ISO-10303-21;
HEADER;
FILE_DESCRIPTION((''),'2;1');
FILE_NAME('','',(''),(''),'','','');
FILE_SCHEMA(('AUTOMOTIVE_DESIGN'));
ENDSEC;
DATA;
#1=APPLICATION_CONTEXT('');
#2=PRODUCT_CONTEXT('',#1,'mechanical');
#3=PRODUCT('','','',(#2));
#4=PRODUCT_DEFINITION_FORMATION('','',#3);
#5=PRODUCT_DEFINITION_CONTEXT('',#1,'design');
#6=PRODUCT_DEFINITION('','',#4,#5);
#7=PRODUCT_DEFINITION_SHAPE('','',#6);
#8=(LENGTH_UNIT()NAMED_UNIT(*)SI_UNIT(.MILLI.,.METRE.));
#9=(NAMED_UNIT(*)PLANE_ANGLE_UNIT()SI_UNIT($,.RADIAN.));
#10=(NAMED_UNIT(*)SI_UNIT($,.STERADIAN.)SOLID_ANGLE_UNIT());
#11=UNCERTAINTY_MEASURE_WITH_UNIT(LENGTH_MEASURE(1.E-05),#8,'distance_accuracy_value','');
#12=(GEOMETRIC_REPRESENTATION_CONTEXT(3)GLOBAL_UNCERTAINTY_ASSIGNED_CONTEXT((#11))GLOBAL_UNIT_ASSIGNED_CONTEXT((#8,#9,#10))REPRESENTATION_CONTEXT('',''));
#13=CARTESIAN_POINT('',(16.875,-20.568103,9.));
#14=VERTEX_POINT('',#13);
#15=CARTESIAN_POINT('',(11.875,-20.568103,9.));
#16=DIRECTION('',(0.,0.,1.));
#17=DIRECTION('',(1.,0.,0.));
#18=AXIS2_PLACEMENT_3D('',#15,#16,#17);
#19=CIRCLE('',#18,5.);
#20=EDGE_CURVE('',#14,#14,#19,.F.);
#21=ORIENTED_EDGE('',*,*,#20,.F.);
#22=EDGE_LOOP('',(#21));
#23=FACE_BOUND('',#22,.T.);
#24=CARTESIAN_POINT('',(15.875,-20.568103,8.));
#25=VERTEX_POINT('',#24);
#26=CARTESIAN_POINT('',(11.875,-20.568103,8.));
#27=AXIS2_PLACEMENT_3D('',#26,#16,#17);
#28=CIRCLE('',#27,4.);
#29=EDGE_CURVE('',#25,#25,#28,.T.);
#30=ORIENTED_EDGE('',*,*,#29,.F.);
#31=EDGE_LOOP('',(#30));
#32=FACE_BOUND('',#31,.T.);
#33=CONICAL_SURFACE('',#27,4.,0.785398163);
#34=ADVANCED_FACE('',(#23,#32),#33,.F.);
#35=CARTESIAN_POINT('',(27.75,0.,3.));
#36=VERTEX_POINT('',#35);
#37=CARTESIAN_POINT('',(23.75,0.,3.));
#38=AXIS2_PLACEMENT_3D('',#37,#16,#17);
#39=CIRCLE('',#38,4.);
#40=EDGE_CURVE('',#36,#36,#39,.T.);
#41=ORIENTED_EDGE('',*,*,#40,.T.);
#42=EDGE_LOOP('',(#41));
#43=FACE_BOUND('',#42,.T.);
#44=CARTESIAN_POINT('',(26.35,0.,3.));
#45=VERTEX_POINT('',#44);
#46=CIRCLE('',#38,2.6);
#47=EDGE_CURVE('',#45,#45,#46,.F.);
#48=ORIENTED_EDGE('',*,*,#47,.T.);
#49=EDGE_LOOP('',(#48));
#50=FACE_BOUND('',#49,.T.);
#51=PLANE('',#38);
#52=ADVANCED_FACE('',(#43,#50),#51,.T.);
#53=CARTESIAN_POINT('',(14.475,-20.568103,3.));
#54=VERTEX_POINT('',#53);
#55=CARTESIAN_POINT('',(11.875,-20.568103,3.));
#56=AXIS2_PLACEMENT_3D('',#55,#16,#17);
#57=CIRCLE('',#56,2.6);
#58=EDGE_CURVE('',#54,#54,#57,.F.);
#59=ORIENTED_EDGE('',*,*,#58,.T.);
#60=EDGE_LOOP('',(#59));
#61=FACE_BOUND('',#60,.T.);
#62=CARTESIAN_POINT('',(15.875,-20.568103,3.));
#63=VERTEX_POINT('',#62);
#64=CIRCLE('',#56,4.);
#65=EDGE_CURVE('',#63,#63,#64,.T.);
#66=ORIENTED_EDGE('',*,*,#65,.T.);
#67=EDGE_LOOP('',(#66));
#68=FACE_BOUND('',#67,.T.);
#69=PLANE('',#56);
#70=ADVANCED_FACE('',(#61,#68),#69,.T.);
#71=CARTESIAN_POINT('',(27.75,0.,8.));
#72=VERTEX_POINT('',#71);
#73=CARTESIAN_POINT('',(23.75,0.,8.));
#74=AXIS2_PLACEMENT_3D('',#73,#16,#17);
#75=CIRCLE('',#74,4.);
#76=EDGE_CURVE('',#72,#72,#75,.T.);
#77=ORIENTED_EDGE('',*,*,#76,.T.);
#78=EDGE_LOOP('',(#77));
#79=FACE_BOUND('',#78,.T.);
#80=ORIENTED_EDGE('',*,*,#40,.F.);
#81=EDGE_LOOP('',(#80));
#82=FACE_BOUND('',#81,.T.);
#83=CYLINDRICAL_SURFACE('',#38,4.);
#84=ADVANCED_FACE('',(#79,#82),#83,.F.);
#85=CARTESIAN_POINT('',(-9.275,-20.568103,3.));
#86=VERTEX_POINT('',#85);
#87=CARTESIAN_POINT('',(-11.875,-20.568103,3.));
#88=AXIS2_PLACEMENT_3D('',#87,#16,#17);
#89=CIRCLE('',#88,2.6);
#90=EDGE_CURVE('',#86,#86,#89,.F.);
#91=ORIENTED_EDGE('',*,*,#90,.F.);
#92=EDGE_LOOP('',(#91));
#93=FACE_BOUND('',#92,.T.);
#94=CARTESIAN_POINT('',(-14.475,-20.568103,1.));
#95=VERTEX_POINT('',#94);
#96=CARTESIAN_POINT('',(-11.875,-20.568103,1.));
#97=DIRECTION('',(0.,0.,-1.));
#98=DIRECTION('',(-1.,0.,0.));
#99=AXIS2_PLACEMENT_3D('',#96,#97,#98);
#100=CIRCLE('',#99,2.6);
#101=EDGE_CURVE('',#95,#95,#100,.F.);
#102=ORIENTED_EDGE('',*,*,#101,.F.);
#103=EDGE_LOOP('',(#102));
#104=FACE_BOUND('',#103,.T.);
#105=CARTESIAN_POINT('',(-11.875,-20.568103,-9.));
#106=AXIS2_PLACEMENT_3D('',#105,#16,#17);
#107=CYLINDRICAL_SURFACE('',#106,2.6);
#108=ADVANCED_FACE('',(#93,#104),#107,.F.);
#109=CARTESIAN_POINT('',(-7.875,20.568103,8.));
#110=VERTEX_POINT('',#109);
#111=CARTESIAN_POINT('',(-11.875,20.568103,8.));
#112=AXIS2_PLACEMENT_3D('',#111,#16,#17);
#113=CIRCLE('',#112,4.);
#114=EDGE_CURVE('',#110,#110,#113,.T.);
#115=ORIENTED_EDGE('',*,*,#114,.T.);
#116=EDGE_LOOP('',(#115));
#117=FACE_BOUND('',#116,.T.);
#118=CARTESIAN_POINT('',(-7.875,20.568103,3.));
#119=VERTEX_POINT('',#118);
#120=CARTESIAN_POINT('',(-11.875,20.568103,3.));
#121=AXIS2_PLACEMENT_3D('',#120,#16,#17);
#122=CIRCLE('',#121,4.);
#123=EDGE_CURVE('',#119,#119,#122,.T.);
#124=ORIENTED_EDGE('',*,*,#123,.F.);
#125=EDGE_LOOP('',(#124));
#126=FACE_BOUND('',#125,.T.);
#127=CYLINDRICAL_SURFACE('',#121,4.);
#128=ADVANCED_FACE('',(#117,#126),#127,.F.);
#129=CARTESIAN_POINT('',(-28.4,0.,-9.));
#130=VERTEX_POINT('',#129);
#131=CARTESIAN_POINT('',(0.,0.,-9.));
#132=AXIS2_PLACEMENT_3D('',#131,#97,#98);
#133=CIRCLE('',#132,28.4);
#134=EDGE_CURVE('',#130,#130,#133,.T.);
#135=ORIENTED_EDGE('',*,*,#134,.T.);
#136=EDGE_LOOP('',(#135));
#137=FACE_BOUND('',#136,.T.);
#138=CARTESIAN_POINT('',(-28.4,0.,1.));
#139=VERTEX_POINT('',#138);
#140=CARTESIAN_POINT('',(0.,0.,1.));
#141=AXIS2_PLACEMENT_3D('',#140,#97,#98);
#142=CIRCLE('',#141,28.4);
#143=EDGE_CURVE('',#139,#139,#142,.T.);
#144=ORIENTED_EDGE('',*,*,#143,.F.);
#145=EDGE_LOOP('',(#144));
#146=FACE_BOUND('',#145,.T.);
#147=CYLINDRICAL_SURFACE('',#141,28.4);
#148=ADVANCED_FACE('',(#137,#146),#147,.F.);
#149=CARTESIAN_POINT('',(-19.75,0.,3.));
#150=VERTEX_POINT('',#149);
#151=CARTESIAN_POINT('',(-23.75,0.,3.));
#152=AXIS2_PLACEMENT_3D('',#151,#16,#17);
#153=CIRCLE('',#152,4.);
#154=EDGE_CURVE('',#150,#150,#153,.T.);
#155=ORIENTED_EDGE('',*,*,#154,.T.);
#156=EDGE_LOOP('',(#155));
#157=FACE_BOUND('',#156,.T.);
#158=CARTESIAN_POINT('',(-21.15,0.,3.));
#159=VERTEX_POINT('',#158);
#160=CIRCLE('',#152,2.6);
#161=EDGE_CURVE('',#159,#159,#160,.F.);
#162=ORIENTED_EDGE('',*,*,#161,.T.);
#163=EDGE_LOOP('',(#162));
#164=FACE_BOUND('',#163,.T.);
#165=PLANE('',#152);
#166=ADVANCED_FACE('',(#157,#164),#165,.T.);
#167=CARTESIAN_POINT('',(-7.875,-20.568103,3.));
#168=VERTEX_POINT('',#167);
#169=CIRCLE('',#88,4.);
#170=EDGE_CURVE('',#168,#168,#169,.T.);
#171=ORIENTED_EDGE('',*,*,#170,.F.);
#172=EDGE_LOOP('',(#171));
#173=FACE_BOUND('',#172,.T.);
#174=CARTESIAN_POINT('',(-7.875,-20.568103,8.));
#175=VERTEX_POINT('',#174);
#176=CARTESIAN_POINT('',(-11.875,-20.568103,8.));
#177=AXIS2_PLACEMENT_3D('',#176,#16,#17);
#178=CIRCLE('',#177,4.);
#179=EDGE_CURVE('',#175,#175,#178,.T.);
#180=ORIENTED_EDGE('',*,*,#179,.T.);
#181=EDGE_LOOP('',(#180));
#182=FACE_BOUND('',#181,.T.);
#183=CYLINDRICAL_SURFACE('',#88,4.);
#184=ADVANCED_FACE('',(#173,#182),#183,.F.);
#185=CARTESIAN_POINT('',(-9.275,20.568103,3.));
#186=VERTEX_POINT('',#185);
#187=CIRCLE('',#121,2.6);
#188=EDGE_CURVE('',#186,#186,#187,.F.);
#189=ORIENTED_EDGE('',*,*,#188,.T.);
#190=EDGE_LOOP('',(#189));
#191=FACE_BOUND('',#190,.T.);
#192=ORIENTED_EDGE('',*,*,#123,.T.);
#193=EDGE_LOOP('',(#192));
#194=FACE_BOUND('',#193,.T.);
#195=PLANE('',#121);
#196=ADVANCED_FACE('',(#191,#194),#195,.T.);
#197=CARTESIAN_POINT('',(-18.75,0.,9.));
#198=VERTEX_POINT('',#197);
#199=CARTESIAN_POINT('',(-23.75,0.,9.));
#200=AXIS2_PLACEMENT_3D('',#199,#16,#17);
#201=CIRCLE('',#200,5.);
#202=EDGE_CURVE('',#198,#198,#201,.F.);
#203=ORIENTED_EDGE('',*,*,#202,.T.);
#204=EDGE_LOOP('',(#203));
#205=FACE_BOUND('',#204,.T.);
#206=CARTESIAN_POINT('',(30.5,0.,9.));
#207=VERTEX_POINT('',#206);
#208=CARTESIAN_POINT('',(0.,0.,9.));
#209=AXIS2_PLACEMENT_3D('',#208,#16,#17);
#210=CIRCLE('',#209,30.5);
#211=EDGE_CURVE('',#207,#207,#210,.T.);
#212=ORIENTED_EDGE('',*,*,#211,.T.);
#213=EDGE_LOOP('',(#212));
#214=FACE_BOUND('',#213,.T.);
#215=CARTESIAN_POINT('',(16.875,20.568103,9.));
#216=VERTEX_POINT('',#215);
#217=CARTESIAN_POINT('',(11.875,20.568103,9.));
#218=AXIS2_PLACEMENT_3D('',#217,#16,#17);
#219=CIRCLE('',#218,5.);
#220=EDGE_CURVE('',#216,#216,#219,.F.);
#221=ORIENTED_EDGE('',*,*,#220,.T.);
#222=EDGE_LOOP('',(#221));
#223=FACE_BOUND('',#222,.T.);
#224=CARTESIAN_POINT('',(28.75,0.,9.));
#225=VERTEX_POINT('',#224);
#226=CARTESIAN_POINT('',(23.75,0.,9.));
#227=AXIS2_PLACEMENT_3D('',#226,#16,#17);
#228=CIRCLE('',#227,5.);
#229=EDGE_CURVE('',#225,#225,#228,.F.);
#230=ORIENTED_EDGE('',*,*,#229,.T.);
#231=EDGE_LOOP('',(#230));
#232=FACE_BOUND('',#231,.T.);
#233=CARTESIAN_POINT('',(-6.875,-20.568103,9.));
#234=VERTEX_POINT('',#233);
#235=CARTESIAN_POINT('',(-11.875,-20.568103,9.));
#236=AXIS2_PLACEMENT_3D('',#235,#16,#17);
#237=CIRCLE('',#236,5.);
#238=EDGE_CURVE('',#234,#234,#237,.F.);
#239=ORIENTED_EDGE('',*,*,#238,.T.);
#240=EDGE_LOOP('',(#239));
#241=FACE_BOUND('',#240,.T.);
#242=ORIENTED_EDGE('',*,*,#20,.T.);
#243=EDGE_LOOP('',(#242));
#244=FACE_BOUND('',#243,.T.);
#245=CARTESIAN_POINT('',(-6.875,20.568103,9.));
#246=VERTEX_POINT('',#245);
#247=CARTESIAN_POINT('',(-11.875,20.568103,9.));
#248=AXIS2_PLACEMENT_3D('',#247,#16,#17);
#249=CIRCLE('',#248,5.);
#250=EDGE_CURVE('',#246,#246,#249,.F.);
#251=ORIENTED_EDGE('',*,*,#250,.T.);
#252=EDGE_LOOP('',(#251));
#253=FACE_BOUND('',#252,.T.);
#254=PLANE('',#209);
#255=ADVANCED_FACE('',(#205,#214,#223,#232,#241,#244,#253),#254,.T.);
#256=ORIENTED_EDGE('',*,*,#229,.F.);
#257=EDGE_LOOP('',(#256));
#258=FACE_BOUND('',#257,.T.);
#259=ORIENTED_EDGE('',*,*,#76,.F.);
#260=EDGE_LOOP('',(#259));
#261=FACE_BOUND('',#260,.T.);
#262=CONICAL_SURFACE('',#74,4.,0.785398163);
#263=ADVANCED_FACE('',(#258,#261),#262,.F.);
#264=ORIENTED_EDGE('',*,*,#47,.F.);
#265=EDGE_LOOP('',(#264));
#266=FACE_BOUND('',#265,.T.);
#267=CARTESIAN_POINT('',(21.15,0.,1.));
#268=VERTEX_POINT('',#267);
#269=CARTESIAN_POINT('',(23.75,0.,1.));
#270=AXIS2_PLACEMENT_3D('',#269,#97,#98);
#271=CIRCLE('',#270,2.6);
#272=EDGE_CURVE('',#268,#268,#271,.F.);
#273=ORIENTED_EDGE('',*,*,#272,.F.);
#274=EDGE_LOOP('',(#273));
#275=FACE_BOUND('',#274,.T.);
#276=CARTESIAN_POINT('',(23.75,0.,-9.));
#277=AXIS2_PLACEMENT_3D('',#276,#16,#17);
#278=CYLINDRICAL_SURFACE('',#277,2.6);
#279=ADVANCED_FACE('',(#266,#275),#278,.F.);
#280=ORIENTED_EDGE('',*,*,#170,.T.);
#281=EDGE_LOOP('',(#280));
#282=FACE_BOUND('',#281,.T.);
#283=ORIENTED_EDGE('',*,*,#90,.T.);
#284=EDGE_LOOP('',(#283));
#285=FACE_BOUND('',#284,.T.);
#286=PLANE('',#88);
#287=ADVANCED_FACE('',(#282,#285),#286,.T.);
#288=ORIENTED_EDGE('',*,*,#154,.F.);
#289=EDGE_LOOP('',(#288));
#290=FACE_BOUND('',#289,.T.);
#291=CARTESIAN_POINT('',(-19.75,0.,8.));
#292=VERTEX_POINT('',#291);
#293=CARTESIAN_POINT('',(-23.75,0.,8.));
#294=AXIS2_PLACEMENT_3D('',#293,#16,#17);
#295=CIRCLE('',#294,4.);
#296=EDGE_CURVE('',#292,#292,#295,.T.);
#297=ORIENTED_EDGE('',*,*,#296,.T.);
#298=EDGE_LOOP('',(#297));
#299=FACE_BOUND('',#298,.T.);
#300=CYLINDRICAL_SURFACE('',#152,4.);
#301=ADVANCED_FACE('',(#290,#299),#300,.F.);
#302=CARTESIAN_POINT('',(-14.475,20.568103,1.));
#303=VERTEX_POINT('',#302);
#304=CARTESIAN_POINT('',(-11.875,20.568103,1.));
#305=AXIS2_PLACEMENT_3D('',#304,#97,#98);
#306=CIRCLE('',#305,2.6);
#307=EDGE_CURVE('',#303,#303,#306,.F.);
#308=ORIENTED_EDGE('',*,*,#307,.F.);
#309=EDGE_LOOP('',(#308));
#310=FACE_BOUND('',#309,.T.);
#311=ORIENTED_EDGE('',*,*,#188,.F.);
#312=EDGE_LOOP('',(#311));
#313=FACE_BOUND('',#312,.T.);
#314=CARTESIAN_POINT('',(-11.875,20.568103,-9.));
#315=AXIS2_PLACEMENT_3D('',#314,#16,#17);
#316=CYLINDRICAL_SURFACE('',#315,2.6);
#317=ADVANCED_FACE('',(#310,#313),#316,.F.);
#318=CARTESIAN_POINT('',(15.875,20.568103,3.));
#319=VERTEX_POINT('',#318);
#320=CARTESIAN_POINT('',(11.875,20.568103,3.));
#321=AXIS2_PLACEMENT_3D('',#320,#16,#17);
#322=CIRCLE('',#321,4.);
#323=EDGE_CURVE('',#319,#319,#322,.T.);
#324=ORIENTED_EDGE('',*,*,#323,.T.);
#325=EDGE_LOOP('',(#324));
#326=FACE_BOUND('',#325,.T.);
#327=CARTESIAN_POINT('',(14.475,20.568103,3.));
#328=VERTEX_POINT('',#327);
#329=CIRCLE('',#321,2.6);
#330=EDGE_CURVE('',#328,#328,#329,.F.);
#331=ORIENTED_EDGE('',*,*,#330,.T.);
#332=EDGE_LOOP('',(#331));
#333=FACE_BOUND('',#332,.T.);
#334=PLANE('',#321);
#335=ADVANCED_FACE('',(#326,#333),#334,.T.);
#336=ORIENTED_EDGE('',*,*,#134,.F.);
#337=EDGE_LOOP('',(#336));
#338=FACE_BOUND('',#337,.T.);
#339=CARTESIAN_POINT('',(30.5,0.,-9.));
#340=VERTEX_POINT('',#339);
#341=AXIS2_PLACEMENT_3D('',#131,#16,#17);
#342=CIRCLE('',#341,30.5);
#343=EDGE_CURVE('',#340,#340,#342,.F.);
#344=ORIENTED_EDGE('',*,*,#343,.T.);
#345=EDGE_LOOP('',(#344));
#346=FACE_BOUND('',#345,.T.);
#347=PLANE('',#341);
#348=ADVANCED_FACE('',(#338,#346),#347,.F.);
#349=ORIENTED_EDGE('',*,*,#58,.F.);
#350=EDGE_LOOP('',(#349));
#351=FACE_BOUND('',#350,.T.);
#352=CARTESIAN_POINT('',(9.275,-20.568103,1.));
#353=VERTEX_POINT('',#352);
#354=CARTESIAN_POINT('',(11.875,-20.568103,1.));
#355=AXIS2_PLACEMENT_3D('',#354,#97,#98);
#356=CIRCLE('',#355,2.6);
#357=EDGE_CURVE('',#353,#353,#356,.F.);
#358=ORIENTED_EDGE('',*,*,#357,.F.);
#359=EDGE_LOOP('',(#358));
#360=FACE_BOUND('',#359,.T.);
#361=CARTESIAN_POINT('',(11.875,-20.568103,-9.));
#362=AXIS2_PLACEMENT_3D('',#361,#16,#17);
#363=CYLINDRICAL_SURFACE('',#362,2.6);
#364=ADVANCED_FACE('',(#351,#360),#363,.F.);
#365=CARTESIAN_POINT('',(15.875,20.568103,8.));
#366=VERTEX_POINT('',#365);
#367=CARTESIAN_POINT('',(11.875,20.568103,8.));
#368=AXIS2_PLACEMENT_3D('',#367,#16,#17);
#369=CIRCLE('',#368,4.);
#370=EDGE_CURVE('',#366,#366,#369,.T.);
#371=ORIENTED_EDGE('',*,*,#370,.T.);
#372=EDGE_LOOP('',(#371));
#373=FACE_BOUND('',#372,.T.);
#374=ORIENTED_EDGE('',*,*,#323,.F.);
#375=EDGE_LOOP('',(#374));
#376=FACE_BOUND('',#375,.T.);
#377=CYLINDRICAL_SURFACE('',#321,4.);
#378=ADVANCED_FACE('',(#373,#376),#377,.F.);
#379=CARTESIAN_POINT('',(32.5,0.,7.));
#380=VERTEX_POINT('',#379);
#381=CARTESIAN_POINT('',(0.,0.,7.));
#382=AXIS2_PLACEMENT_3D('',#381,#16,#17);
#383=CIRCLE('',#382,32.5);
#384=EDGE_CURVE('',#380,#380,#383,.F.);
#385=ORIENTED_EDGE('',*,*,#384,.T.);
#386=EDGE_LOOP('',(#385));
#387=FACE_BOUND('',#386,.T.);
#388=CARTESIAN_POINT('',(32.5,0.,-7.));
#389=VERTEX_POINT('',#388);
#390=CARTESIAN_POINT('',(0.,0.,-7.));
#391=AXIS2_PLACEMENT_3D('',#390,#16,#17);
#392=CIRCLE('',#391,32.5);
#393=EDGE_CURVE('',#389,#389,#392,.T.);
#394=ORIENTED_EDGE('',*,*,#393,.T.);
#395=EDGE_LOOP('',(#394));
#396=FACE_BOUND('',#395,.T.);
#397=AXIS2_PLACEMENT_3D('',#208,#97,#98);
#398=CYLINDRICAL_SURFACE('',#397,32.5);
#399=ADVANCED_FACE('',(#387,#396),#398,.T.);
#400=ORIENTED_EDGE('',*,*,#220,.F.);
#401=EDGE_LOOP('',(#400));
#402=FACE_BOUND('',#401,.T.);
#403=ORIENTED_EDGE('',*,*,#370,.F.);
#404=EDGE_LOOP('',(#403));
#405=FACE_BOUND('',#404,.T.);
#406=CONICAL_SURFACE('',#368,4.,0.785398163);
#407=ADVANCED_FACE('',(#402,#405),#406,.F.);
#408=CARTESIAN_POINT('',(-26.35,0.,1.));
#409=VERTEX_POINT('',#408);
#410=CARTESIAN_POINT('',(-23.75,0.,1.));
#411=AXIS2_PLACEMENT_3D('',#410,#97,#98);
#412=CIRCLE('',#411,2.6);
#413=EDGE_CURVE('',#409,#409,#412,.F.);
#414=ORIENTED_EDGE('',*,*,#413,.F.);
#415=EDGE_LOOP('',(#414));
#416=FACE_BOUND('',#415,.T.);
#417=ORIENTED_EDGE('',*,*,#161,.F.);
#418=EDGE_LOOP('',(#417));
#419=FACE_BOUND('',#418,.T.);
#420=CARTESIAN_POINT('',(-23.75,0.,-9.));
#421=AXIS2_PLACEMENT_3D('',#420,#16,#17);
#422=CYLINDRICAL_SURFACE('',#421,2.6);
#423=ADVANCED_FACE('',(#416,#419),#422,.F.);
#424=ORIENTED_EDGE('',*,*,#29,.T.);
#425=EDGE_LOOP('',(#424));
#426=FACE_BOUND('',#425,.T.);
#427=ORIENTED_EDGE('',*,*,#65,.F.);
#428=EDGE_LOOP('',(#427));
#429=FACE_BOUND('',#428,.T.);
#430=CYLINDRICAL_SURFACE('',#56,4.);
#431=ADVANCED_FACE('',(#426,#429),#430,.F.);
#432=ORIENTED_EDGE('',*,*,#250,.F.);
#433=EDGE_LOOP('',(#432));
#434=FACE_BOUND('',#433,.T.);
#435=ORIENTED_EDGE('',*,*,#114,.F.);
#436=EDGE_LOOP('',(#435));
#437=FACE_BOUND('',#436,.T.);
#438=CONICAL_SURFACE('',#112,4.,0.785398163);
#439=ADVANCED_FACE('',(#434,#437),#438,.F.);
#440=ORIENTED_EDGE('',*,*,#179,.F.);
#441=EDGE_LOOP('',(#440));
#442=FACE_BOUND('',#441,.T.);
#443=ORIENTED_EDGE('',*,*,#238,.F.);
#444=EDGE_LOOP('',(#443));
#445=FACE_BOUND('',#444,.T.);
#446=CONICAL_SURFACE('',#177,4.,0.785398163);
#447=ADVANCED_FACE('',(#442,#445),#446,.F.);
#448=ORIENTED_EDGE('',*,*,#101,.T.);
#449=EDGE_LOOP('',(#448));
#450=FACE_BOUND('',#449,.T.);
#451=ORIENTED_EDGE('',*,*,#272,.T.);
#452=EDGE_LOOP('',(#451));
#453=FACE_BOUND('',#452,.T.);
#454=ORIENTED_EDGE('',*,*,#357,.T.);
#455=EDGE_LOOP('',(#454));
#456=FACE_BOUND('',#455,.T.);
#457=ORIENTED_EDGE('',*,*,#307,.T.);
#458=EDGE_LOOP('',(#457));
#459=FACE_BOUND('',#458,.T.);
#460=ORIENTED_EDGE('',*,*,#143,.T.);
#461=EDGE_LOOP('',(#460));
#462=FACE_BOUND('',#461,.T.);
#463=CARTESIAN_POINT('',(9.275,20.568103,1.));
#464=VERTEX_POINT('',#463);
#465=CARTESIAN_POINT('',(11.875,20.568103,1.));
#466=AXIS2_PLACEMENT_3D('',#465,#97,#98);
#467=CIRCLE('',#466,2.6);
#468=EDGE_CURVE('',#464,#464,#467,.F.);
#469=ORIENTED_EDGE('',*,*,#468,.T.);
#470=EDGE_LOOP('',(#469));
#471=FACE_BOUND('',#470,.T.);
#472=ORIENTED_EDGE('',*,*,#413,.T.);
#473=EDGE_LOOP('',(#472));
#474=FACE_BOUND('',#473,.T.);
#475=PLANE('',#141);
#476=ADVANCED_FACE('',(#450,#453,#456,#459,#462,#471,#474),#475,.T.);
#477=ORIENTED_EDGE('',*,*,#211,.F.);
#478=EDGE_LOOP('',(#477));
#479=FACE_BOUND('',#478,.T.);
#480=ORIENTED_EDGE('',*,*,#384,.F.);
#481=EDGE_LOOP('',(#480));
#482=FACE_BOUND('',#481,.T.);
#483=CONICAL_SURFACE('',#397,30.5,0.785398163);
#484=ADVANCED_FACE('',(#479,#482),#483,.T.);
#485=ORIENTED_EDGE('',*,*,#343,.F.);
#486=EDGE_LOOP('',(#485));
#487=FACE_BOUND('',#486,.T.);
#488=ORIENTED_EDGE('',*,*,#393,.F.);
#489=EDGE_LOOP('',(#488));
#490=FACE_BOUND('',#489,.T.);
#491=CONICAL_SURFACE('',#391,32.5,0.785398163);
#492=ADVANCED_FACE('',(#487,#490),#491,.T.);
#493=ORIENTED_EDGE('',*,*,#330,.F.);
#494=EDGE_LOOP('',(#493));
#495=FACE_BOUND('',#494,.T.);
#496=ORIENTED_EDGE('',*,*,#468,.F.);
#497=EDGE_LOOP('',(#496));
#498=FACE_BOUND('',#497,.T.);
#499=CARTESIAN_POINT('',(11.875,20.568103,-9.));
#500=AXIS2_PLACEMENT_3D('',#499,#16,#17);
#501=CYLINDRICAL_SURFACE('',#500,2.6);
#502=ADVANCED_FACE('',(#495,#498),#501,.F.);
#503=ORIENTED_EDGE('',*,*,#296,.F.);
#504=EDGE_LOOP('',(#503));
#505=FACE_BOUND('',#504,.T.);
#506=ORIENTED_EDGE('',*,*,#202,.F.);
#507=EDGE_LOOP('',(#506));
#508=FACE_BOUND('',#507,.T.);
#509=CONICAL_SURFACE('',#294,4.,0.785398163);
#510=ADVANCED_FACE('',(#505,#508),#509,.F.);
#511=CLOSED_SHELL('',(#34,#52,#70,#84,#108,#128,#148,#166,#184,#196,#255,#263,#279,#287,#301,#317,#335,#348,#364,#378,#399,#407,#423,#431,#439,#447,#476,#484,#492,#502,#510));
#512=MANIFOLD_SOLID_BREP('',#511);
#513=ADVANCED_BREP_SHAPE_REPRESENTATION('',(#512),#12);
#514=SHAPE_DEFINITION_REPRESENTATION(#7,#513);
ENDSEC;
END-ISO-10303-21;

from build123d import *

# Parameters (mm, degrees)
SKETCH_1_R                           = 32.5
EXTRUDE_1_DEPTH                      = 9
CHAMFER_1_SIZE                       = 2
SKETCH_3_R                           = 2.6
CUT_EXTRUDE_1_DEPTH                  = 47.834816109
CUT_EXTRUDE_START                    = 9
SKETCH_4_R                           = 4
CUT_EXTRUDE_2_DEPTH                  = 6
CHAMFER_2_SIZE                       = 1
PATTERN_CIRCULAR_1_COUNT             = 6
CHAMFER_2_OF_PATTERN_CIRCULAR_1_SIZE = 1
SKETCH_5_R                           = 28.4
CUT_EXTRUDE_3_DEPTH                  = 10


with BuildPart() as part:
    # ｽｹｯﾁ1 → ﾎﾞｽ - 押し出し1 (new, symmetric)
    with BuildSketch(Plane.XY):
        Circle(SKETCH_1_R)
    extrude(amount=EXTRUDE_1_DEPTH, both=True)

    # 面取り1
    chamfer_1_edges = [part.edges().sort_by_distance(p)[0] for p in [
        (-32.5, 0, -9),
        (-32.5, 0, 9),
    ]]
    chamfer(chamfer_1_edges, length=CHAMFER_1_SIZE)

    # ｽｹｯﾁ3 → ｶｯﾄ - 押し出し1 (cut, symmetric)
    with BuildSketch(Plane.XY):
        with Locations((11.875, 20.56810334)):
            Circle(SKETCH_3_R)
    cut_extrude_1 = extrude(amount=CUT_EXTRUDE_1_DEPTH, both=True, mode=Mode.SUBTRACT)

    # ｽｹｯﾁ4 → ｶｯﾄ - 押し出し2 (cut)
    with BuildSketch(Plane.XY.offset(CUT_EXTRUDE_START)):
        with Locations((11.875, 20.56810334)):
            Circle(SKETCH_4_R)
    cut_extrude_2 = extrude(amount=-CUT_EXTRUDE_2_DEPTH, mode=Mode.SUBTRACT)

    # 面取り2
    chamfer_2_edges = [part.edges().sort_by_distance(p)[0] for p in [
        (7.875, 20.56810334, 9),
    ]]
    chamfer(chamfer_2_edges, length=CHAMFER_2_SIZE)

    # 円形ﾊﾟﾀｰﾝ1: ｶｯﾄ - 押し出し1, ｶｯﾄ - 押し出し2 ×6 about axis
    pattern_circular_1_axis = Axis((0, 0, 0), (0, 0, 1))
    add([cut_extrude_1.rotate(pattern_circular_1_axis, i * 360 / PATTERN_CIRCULAR_1_COUNT) for i in range(1, PATTERN_CIRCULAR_1_COUNT)], mode=Mode.SUBTRACT)
    add([cut_extrude_2.rotate(pattern_circular_1_axis, i * 360 / PATTERN_CIRCULAR_1_COUNT) for i in range(1, PATTERN_CIRCULAR_1_COUNT)], mode=Mode.SUBTRACT)

    # 面取り2 of 円形ﾊﾟﾀｰﾝ1
    chamfer_2_of_pattern_circular_1_edges = [part.edges().sort_by_distance(p)[0] for p in [
        (-13.875, 17.104001725, 9),
        (-21.75, -3.464101615, 9),
        (-7.875, -20.56810334, 9),
        (13.875, -17.104001725, 9),
        (21.75, 3.464101615, 9),
    ]]
    chamfer(chamfer_2_of_pattern_circular_1_edges, length=CHAMFER_2_OF_PATTERN_CIRCULAR_1_SIZE)

    # ｽｹｯﾁ5 → ｶｯﾄ - 押し出し3 (cut)
    with BuildSketch(Plane(origin=(0, 0, -9), x_dir=(-1, 0, 0), z_dir=(0, 0, -1))):
        Circle(SKETCH_5_R)
    extrude(amount=-CUT_EXTRUDE_3_DEPTH, mode=Mode.SUBTRACT)


solid = part.part
